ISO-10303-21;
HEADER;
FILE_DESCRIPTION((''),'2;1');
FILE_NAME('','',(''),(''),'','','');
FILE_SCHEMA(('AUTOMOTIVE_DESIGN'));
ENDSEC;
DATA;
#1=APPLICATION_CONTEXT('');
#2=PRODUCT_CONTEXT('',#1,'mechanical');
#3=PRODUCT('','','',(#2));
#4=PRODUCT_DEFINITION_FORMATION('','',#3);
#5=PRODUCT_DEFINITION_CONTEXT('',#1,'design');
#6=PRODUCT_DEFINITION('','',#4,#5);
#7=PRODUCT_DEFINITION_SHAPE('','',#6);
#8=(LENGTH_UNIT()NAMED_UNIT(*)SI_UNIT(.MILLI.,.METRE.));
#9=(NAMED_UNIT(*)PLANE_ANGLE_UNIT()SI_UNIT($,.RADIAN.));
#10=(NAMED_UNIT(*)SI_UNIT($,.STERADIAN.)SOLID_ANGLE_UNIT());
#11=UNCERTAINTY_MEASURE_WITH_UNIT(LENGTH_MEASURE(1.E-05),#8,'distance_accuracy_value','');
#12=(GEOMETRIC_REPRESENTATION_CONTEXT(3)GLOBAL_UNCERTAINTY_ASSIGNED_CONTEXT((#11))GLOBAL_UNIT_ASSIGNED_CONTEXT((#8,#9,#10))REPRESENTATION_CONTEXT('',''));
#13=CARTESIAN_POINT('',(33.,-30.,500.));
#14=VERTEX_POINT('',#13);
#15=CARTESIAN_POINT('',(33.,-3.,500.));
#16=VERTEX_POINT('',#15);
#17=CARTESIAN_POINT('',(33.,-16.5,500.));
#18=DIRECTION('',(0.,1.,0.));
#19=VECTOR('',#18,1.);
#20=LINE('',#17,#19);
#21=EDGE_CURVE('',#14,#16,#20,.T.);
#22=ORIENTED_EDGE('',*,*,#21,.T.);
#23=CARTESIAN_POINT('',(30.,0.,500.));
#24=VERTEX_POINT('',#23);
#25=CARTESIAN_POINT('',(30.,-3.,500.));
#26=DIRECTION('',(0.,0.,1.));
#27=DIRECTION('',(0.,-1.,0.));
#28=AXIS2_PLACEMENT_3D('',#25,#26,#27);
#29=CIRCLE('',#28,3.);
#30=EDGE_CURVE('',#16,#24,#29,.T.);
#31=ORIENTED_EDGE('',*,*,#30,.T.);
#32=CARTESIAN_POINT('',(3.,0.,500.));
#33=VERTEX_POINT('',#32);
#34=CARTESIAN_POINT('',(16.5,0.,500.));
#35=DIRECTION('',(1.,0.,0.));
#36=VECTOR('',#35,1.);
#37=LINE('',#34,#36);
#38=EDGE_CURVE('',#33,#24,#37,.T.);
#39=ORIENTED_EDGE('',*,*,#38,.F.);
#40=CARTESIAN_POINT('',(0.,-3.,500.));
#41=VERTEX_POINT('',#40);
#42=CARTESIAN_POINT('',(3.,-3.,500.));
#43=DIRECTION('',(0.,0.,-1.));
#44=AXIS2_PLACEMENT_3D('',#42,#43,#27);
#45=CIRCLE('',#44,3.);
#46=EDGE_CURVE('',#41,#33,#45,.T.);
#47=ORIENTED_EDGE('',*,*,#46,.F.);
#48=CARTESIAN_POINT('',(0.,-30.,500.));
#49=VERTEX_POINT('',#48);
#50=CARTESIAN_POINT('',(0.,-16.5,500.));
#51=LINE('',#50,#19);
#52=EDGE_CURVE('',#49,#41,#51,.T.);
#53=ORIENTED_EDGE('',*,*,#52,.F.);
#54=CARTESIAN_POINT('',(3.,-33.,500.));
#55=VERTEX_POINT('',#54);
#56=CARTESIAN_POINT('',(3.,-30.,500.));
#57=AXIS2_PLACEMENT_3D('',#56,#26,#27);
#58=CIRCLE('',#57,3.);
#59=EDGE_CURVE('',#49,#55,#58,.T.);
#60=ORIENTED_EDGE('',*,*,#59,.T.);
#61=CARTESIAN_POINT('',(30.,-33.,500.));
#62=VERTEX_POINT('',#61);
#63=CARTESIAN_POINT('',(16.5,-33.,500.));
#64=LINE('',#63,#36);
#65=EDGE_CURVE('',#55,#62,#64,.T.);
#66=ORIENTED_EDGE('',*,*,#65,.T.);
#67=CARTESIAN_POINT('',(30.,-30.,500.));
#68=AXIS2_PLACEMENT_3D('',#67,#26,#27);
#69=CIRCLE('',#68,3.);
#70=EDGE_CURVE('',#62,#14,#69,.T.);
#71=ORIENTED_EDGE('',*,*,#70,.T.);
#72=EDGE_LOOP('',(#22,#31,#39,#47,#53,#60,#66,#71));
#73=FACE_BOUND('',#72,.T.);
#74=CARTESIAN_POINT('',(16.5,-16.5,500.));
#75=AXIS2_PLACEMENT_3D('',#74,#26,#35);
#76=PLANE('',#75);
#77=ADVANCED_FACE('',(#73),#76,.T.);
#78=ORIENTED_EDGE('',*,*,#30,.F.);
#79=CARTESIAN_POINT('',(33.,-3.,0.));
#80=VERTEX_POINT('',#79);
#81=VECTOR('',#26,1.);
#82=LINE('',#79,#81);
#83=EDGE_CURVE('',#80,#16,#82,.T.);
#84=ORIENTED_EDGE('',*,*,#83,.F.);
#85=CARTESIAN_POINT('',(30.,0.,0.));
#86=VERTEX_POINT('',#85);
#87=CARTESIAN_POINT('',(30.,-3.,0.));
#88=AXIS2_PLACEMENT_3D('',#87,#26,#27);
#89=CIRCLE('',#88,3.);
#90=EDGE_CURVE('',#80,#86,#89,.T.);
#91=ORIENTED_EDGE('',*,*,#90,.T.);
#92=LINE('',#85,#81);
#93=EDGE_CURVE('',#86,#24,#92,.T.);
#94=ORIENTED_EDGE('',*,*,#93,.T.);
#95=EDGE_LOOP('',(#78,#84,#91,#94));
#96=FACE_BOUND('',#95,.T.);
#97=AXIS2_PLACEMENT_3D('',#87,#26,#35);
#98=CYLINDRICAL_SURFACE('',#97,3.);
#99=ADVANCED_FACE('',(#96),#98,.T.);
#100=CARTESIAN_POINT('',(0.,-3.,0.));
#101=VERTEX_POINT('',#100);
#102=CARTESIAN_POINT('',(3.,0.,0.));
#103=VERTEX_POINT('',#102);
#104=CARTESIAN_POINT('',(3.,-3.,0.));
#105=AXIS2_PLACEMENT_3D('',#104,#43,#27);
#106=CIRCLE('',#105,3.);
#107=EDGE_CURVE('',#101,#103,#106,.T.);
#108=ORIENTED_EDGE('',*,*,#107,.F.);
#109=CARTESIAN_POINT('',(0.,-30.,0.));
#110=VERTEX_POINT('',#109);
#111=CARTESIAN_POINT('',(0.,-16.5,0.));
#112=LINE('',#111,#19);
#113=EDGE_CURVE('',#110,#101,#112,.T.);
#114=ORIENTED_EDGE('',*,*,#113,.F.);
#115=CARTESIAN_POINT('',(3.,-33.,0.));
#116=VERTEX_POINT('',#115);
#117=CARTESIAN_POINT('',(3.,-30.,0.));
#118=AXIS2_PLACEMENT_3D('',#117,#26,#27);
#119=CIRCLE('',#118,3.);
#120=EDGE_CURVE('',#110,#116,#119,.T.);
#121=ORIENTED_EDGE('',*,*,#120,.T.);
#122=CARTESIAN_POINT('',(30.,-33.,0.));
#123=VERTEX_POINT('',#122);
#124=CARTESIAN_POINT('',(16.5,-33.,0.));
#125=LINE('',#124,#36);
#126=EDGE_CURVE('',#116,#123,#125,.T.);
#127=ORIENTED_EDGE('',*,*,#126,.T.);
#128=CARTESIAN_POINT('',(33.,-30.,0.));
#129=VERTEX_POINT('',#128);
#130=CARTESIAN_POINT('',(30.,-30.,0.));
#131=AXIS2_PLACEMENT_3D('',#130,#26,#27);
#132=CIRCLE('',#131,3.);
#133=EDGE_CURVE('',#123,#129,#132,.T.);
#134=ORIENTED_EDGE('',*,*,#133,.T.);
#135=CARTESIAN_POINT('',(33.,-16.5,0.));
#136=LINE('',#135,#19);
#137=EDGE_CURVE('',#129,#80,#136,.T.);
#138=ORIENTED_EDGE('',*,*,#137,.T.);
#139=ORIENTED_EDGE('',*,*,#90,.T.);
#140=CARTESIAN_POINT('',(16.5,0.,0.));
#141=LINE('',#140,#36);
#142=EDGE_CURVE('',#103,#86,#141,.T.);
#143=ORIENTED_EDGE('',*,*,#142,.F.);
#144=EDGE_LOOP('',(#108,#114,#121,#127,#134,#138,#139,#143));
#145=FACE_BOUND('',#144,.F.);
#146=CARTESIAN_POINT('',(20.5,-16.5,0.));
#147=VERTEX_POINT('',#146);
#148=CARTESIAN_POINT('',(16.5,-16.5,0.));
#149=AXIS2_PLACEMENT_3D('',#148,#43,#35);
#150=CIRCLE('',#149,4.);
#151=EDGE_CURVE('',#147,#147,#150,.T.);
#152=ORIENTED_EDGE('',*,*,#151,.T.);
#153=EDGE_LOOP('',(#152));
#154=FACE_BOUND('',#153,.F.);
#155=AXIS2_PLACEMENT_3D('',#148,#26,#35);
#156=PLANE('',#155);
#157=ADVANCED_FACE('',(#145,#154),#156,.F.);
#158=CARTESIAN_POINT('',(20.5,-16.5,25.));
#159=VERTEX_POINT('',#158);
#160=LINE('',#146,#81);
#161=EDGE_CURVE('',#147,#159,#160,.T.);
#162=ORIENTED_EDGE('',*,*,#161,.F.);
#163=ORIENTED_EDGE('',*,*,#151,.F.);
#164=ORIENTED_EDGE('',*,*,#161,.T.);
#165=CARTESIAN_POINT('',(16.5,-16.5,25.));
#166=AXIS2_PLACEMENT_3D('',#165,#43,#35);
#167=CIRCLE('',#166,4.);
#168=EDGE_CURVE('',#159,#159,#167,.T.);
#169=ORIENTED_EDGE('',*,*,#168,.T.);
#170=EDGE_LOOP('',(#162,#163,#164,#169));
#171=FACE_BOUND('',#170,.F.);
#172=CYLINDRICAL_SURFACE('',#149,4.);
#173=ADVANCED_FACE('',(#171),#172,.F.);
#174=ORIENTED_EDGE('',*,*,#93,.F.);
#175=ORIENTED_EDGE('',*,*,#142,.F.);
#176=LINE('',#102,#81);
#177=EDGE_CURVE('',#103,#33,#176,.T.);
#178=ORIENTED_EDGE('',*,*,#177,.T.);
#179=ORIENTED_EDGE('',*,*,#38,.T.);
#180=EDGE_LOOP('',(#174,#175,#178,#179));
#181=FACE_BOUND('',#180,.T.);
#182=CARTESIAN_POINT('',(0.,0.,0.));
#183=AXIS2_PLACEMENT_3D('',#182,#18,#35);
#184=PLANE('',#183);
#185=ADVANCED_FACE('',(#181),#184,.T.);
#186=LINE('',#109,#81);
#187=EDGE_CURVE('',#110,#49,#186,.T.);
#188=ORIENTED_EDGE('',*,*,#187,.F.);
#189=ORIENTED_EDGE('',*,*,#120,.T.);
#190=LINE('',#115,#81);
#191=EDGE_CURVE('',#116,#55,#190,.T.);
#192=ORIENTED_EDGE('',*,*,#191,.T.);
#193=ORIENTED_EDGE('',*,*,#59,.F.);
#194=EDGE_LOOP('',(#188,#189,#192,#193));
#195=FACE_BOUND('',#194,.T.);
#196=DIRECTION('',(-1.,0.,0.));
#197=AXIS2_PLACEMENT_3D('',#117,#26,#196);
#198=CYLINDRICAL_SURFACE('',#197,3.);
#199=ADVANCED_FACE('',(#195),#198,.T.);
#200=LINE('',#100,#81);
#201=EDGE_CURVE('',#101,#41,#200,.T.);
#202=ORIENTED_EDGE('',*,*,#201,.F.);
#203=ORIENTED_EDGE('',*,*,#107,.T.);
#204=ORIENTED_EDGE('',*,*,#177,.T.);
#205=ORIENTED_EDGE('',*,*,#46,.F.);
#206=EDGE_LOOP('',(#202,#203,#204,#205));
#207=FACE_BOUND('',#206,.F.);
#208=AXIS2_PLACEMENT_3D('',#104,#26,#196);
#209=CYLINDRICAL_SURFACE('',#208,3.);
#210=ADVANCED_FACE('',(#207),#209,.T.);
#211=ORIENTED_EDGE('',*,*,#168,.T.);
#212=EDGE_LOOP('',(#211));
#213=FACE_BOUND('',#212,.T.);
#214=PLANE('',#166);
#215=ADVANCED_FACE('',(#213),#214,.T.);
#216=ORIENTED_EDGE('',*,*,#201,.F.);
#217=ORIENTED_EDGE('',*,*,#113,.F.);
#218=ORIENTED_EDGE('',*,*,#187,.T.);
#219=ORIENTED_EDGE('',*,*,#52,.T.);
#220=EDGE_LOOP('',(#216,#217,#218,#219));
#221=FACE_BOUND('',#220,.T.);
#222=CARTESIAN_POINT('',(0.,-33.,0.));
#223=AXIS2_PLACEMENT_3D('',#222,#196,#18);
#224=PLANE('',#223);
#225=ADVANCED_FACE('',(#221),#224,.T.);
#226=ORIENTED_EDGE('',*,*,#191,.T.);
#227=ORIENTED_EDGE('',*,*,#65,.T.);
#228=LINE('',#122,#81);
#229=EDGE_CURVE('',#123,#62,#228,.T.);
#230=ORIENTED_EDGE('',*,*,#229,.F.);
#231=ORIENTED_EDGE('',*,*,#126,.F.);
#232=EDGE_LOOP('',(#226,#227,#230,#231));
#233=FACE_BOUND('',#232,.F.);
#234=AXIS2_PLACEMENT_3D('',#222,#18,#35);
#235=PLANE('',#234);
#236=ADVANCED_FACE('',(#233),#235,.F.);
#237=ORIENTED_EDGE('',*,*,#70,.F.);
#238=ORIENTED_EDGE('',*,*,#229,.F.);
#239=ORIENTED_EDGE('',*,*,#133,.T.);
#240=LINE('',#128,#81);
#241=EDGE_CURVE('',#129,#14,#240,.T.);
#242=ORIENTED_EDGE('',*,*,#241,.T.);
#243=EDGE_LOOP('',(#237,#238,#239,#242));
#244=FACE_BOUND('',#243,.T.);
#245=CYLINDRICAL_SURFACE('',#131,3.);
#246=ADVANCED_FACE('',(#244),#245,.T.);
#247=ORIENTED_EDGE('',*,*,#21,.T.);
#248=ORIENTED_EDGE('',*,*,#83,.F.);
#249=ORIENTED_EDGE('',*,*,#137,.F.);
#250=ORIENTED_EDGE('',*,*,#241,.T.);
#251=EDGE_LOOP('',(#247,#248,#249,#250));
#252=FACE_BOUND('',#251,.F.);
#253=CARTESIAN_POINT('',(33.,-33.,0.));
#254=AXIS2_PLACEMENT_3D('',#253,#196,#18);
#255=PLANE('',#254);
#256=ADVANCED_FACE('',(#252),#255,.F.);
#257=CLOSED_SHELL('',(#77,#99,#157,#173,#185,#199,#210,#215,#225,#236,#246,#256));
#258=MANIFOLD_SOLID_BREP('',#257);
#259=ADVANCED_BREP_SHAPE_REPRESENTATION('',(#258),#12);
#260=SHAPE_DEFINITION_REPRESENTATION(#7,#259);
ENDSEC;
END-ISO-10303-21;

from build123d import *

# Parameters (mm, degrees)
F0_W     = 33
F0_H     = 33
F1_DEPTH = 500
F2_R     = 3
F3_R     = 4
F4_DEPTH = 25


with BuildPart() as f1:
    # F0 (on Top) → F1 (new body)
    with BuildSketch(Plane.XY):
        with Locations((16.5, -16.5)):
            Rectangle(F0_W, F0_H)
    extrude(amount=F1_DEPTH)

    # F2
    f2_edges = [f1.edges().sort_by_distance(p)[0] for p in [
        (33, 0, 250),
        (33, -33, 250),
        (0, -33, 250),
        (0, 0, 250),
    ]]
    fillet(f2_edges, radius=F2_R)

    # F3 (on face) → F4 (cut)
    with BuildSketch(Plane(origin=(0, 0, 0), x_dir=(1, 0, 0), z_dir=(0, 0, -1))):
        with Locations((16.5, 16.5)):
            Circle(F3_R)
    extrude(amount=-F4_DEPTH, mode=Mode.SUBTRACT)


solid = f1.part
